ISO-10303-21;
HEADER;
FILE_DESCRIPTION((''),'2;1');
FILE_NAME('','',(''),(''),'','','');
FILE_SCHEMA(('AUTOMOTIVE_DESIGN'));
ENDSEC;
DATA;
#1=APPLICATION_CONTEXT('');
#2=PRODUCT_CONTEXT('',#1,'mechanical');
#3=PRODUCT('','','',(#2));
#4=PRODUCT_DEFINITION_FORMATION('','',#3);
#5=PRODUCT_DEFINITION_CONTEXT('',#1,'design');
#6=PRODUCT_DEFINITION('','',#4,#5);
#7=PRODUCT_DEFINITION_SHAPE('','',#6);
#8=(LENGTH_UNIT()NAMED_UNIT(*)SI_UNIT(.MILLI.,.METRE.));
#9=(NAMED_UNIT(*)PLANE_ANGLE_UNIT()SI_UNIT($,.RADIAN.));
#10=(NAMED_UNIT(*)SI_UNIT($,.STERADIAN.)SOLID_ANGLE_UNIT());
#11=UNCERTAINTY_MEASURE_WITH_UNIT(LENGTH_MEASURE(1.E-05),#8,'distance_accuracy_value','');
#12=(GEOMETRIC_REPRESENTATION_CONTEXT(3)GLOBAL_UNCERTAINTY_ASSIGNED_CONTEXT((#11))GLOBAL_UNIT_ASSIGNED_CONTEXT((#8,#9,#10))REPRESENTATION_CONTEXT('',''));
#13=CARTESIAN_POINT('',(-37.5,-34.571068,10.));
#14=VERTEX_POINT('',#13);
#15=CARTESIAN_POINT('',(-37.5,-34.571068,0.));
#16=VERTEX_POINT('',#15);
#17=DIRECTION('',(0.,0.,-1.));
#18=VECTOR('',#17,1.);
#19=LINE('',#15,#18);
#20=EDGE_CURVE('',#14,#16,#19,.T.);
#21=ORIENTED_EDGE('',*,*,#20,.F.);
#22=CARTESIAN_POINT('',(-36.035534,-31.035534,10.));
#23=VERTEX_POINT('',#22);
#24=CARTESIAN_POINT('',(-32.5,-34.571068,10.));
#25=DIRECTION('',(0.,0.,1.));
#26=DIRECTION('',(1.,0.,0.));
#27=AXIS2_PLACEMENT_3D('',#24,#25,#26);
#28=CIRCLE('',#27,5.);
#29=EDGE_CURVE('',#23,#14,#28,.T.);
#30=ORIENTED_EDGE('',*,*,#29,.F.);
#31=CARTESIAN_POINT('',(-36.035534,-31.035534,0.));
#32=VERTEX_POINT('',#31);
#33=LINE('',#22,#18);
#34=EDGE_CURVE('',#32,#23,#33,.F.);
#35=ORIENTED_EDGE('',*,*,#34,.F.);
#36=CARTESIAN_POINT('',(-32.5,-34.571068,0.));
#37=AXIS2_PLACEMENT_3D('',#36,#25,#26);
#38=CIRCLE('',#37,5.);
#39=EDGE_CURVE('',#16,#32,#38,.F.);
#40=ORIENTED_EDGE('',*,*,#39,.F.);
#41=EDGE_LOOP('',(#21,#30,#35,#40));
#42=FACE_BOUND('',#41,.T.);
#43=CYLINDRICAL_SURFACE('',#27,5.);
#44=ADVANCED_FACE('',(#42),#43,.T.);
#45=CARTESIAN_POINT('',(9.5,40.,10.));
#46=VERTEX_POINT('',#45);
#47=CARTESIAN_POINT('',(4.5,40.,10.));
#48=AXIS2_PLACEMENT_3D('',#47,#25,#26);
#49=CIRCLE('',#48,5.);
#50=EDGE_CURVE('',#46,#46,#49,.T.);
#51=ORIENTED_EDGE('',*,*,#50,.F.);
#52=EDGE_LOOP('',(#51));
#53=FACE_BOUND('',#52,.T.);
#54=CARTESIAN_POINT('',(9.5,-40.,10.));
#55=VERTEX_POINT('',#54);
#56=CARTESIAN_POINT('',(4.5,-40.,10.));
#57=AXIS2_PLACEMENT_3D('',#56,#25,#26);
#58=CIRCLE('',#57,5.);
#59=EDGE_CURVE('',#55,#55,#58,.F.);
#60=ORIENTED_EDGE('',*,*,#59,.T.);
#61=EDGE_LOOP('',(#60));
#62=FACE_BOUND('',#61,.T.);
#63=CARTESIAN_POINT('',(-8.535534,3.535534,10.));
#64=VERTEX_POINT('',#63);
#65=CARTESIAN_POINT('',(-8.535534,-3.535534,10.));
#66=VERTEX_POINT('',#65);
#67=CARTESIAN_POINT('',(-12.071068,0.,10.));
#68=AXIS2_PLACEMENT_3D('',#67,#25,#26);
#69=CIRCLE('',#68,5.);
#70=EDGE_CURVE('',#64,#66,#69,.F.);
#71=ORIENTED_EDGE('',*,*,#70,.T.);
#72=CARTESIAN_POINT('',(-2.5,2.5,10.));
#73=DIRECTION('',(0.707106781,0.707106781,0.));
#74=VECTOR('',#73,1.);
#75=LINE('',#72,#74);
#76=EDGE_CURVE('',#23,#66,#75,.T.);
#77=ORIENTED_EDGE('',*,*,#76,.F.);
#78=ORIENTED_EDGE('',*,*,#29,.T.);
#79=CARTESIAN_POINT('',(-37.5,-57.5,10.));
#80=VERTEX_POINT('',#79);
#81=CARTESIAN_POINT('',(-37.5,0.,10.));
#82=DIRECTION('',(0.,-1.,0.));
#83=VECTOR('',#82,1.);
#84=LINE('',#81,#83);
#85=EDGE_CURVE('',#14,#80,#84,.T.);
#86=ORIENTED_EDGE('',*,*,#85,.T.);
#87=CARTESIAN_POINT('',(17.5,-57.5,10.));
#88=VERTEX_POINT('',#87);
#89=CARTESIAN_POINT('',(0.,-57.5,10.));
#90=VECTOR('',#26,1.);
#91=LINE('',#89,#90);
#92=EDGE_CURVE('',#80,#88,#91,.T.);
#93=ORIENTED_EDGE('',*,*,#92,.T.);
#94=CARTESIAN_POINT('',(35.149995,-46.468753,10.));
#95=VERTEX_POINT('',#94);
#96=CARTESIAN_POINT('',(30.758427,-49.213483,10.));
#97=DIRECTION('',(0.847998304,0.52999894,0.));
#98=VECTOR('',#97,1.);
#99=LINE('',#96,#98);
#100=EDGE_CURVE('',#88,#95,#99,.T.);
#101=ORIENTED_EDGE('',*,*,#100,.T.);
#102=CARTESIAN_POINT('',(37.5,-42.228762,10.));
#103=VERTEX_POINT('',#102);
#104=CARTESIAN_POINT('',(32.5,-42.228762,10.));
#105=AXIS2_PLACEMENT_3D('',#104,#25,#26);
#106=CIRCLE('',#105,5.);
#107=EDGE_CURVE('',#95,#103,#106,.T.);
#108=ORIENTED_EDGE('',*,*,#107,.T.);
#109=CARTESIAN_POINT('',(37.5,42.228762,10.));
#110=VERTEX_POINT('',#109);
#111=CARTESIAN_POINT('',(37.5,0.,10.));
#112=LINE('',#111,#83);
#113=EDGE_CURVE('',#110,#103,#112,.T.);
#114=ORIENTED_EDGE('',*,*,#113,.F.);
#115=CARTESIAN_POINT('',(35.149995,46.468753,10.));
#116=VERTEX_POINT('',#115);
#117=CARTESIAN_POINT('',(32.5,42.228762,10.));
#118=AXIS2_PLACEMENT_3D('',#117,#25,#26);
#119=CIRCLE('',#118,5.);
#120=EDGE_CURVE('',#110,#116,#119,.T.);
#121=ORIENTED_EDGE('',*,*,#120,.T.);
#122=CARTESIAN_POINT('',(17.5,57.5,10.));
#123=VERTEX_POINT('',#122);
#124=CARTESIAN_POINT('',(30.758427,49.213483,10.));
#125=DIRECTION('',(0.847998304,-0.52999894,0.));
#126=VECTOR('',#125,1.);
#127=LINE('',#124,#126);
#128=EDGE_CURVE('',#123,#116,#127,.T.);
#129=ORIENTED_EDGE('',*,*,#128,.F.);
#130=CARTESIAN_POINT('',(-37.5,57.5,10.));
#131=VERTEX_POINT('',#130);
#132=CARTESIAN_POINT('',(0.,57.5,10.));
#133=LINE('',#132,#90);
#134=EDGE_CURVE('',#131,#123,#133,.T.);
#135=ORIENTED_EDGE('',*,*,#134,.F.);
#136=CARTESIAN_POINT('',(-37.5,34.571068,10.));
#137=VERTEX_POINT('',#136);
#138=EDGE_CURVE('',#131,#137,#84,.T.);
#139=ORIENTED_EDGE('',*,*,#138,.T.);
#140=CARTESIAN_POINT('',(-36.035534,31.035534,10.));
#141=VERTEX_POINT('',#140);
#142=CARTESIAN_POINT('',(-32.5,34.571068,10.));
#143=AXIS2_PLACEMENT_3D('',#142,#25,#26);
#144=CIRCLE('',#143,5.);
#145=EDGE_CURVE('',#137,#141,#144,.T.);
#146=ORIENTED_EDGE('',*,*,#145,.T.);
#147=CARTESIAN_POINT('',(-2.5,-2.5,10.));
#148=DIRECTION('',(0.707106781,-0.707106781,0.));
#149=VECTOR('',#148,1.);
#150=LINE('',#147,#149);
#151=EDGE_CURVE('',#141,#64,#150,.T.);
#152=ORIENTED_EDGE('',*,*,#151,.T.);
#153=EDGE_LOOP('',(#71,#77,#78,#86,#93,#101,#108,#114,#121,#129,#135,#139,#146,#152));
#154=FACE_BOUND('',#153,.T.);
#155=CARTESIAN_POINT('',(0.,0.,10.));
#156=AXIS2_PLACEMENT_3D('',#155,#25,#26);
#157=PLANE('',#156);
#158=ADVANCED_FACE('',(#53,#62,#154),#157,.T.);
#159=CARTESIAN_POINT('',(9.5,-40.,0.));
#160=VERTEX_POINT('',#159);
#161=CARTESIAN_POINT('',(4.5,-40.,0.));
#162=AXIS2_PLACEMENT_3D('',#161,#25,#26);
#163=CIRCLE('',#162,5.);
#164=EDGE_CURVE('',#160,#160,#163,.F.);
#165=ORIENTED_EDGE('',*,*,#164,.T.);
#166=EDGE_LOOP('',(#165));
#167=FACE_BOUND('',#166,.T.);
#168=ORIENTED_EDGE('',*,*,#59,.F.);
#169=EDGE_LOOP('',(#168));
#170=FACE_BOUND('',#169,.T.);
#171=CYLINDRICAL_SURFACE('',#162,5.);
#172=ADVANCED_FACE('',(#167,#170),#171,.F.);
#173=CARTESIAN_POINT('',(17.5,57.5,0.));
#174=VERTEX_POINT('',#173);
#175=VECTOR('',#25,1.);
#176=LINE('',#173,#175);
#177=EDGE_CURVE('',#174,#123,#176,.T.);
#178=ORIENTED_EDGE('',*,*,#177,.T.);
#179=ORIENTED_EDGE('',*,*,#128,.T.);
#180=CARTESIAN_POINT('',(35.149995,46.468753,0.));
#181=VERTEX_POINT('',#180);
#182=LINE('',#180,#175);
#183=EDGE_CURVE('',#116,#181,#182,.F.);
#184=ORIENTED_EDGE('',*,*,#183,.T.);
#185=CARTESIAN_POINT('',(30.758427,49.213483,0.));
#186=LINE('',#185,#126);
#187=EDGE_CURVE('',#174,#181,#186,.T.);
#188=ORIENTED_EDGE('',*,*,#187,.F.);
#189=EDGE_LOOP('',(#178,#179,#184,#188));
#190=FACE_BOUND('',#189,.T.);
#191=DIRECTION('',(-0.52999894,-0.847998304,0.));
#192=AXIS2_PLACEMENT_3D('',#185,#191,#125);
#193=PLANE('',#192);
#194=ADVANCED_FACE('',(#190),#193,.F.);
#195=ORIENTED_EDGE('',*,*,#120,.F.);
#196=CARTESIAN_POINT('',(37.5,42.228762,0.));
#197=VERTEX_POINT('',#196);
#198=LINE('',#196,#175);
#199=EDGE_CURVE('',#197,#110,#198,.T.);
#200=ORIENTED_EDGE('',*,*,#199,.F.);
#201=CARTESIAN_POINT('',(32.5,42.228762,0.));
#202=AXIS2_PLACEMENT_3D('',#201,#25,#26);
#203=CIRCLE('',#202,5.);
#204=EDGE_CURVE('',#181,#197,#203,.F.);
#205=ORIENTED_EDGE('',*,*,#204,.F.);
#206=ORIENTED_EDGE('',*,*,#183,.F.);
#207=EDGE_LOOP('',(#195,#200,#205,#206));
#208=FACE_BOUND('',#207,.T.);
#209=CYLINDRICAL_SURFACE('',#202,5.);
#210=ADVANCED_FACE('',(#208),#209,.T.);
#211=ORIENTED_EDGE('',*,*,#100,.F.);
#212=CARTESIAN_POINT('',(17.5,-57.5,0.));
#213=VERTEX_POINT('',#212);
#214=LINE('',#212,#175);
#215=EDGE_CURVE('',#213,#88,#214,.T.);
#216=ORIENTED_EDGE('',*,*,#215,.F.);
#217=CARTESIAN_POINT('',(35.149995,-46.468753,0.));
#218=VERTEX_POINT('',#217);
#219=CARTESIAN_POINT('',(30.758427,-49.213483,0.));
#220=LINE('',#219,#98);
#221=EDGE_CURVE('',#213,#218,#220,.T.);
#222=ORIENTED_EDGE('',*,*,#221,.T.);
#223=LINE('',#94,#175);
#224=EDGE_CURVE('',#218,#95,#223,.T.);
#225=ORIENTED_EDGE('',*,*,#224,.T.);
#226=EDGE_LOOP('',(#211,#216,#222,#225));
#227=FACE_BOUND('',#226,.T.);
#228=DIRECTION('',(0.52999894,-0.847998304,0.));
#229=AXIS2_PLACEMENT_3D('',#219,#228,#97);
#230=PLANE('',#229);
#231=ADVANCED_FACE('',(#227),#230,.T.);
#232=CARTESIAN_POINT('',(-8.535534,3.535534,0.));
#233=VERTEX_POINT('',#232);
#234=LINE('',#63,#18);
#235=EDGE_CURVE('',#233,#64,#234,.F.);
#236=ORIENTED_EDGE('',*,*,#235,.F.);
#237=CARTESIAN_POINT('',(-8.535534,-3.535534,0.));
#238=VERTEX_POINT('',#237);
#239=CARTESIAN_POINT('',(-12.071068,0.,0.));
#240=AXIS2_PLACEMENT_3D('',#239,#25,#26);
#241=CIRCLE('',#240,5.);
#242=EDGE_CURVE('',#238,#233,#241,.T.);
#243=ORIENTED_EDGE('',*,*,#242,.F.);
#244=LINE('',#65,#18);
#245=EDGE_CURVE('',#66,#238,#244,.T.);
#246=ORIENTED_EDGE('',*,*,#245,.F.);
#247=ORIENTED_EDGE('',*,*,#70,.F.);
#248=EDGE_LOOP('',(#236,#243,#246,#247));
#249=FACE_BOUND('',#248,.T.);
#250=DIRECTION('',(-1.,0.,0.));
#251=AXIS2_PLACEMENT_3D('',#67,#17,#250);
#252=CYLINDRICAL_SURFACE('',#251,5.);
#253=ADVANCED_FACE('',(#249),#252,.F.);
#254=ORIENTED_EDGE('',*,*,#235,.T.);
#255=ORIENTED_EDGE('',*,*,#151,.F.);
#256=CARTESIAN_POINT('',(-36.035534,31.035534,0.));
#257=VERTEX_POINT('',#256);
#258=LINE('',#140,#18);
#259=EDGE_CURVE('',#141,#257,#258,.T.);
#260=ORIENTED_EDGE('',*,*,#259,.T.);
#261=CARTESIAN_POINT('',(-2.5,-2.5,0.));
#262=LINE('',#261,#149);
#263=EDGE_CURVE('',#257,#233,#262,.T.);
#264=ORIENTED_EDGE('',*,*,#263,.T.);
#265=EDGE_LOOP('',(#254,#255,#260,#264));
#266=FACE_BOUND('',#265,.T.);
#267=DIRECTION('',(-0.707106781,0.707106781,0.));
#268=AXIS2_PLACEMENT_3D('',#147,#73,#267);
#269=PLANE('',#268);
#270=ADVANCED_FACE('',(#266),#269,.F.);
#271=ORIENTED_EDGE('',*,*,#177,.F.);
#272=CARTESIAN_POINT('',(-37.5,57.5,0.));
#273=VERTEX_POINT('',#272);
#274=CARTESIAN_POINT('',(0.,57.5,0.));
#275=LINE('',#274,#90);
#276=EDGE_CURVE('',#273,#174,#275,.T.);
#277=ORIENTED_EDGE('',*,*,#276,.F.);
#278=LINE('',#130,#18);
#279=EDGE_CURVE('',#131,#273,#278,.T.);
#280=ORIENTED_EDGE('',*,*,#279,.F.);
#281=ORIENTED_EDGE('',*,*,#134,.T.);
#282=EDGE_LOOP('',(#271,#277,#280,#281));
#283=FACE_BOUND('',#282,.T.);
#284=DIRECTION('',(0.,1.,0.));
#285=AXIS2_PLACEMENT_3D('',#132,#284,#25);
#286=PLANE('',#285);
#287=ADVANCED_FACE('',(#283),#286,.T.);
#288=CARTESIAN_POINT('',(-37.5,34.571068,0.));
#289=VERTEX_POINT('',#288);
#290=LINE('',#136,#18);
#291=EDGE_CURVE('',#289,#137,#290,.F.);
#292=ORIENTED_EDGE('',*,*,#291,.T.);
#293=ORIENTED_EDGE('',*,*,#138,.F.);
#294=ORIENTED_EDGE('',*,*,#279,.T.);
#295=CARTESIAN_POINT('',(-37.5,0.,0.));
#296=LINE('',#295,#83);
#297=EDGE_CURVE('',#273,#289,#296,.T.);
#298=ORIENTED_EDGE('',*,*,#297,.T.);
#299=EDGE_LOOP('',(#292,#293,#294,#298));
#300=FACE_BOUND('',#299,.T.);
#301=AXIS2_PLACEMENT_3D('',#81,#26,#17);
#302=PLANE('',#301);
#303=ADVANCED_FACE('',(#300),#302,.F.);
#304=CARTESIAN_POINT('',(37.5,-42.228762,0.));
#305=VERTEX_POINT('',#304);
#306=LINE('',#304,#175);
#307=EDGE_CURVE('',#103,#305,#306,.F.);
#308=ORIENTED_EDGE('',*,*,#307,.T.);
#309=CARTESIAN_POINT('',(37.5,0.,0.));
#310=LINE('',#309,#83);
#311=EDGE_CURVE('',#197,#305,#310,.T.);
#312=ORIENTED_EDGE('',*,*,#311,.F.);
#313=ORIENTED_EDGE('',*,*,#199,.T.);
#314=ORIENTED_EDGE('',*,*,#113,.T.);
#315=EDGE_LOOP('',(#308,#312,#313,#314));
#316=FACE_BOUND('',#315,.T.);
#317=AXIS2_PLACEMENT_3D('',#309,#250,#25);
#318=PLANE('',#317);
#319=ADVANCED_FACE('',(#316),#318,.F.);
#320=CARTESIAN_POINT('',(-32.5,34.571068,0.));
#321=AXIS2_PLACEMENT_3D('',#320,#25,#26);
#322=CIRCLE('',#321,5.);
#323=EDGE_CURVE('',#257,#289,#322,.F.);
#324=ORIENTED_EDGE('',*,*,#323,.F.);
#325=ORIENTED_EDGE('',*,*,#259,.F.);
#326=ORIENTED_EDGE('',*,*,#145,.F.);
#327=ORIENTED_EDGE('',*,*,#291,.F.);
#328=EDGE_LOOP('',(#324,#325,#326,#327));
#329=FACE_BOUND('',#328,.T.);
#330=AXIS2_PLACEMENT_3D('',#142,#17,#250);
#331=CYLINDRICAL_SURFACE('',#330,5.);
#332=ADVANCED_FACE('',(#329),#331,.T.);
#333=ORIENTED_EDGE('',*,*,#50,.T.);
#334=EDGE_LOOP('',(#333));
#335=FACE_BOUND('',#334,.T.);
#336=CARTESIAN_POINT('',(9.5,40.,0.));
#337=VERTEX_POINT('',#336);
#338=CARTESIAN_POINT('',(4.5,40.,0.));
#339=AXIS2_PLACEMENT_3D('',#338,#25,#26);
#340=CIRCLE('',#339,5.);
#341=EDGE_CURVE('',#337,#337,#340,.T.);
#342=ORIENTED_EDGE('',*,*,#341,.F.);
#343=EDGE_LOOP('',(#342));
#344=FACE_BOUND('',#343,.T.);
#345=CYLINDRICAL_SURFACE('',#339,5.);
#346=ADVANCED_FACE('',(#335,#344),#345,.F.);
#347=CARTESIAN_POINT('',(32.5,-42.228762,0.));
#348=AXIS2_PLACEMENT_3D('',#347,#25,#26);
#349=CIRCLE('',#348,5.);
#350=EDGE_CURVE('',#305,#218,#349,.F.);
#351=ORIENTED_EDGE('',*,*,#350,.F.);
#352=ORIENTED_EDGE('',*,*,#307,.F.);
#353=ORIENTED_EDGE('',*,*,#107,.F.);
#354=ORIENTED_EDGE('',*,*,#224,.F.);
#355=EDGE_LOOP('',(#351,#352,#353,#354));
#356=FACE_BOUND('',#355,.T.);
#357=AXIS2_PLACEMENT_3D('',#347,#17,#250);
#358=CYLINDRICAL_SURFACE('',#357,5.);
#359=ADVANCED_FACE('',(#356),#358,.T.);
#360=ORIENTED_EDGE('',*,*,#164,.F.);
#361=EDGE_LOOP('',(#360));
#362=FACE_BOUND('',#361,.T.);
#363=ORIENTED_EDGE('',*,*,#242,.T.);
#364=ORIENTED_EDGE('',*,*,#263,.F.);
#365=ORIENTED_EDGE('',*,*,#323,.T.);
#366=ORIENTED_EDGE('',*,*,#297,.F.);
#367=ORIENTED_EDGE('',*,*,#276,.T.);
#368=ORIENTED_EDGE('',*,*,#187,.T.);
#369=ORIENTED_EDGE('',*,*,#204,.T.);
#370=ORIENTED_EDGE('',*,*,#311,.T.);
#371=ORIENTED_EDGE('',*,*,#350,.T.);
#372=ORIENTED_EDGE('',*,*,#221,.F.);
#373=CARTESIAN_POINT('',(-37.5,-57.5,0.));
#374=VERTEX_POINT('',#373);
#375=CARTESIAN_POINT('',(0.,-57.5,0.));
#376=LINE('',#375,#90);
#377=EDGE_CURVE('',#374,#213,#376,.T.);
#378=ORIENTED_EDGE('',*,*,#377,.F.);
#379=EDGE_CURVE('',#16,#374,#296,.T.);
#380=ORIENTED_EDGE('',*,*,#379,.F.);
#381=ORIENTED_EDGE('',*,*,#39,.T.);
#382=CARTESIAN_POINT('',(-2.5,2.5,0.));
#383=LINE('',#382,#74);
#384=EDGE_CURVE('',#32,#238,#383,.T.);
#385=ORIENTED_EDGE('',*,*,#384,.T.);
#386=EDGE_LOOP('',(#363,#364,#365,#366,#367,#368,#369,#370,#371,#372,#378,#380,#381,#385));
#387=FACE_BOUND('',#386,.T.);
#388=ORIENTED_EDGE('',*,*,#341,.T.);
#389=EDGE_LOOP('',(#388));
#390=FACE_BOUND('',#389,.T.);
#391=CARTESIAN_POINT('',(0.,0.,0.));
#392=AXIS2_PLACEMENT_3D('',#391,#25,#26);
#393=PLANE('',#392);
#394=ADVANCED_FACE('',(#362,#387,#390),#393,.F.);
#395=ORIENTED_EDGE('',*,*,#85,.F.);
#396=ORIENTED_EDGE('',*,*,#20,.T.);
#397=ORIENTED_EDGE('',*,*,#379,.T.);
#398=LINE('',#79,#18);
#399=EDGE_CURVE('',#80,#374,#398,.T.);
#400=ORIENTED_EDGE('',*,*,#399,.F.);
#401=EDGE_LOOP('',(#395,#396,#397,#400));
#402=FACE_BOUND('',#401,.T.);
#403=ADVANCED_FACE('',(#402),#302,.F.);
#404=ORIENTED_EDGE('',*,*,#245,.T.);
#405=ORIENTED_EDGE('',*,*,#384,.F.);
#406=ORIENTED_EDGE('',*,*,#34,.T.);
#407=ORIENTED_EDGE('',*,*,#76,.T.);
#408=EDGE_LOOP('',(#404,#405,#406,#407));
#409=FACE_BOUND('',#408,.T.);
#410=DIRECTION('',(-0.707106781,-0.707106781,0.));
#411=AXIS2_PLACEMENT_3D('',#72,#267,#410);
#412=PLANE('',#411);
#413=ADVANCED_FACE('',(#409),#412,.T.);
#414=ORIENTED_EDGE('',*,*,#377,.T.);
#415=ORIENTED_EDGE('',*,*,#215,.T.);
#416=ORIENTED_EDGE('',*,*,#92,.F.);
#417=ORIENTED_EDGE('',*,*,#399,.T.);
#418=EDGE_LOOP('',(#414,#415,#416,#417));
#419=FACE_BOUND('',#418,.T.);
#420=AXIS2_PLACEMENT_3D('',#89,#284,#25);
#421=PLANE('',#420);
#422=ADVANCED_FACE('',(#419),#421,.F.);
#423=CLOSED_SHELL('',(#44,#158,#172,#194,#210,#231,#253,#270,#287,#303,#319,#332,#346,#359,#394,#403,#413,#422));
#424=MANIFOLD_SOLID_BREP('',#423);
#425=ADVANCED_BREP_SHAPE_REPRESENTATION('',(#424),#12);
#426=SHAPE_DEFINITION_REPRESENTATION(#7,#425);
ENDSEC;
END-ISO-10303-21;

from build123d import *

# Parameters (mm, degrees)
EXTRUDE_1_DEPTH     = 10
FILLET_1_R          = 5
SKETCH_2_W          = 14.503098638
SKETCH_2_H          = 45
EXTRUDE_4_DEPTH     = 10
FILLET_3_R          = 5
SKETCH_3_R          = 5
CUT_EXTRUDE_2_DEPTH = 82.929848041
FILLET_4_R          = 5
SKETCH_4_R          = 5
CUT_EXTRUDE_5_DEPTH = 70.372184628
EXTRUDE_7_DEPTH     = 10


with BuildPart() as part:
    # 草图1 → 凸台-拉伸1 (new body)
    with BuildSketch(Plane.XY):
        Polygon((37.5, 57.5), (-37.5, 57.5), (-37.5, 32.5), (-5, 0), (-37.5, -32.5), (-37.5, -57.5), (37.5, -57.5), align=None)
    extrude(amount=EXTRUDE_1_DEPTH)

    # 圆角1
    fillet_1_edges = [part.edges().sort_by_distance(p)[0] for p in [
        (-5, 0, 5),
        (-37.5, 32.5, 5),
        (-37.5, -32.5, 5),
    ]]
    fillet(fillet_1_edges, radius=FILLET_1_R)

    # 草图2 → 凸台-拉伸4 (add)
    with BuildSketch(Plane.XY.offset(10)):
        Polygon((37.5, 57.5), (37.5, 0), (42.996901362, 0), (42.996901362, 45), (57.5, 45), align=None)
        with Locations((50.248450681, 22.5)):
            Rectangle(SKETCH_2_W, SKETCH_2_H)
        with Locations((50.248450681, -22.5)):
            Rectangle(SKETCH_2_W, SKETCH_2_H)
        Polygon((37.5, 0), (37.5, -57.5), (57.5, -45), (42.996901362, -45), (42.996901362, 0), align=None)
    extrude(amount=-EXTRUDE_4_DEPTH)

    # 圆角3
    fillet_3_edges = [part.edges().sort_by_distance(p)[0] for p in [
        (57.5, -45, 5),
        (57.5, 45, 5),
    ]]
    fillet(fillet_3_edges, radius=FILLET_3_R)

    # 草图3 → 切除-拉伸2 (cut, through all)
    with BuildSketch(Plane.XY.offset(10)):
        Polygon((17.5, 57.5), (37.5, 45), (37.5, 57.5), align=None)
        with BuildLine():
            Line((37.5, 57.5), (37.5, -57.5))
            Line((37.5, -57.5), (55.1499947, -46.468753312))
            ThreePointArc((55.1499947, -46.468753312), (56.873212406, -44.652604454), (57.5, -42.228761792))
            Line((57.5, -42.228761792), (57.5, 42.228761792))
            ThreePointArc((57.5, 42.228761792), (56.873212406, 44.652604454), (55.1499947, 46.468753312))
            Line((55.1499947, 46.468753312), (37.5, 57.5))
        make_face()
        Polygon((37.5, -45), (17.5, -57.5), (37.5, -57.5), align=None)
        with Locations((4.5, -32.5)):
            Circle(SKETCH_3_R)
        with Locations((4.5, 32.5)):
            Circle(SKETCH_3_R)
    extrude(amount=-CUT_EXTRUDE_2_DEPTH, mode=Mode.SUBTRACT)

    # 圆角4
    fillet_4_edges = [part.edges().sort_by_distance(p)[0] for p in [
        (37.5, -45, 5),
        (37.5, 45, 5),
    ]]
    fillet(fillet_4_edges, radius=FILLET_4_R)

    # 草图4 → 切除-拉伸5 (cut, through all)
    with BuildSketch(Plane.XY.offset(10)):
        with Locations((4.5, 40)):
            Circle(SKETCH_4_R)
        with Locations((4.5, 32.5)):
            Circle(SKETCH_4_R)
        with Locations((4.5, -40)):
            Circle(SKETCH_4_R)
        with Locations((4.5, -32.5)):
            Circle(SKETCH_4_R)
    extrude(amount=-CUT_EXTRUDE_5_DEPTH, mode=Mode.SUBTRACT)

    # 草图7 → 凸台-拉伸7 (add)
    with BuildSketch(Plane.XY.offset(10)):
        with BuildLine():
            ThreePointArc((1.192810861, 36.25), (2.442810861, 27.942810861), (9.5, 32.5))
            ThreePointArc((9.5, 32.5), (9.057189139, 34.557189139), (7.807189139, 36.25))
            ThreePointArc((7.807189139, 36.25), (4.5, 35), (1.192810861, 36.25))
        make_face()
        with BuildLine():
            ThreePointArc((7.807189139, -36.25), (9.057189139, -34.557189139), (9.5, -32.5))
            ThreePointArc((9.5, -32.5), (2.442810861, -27.942810861), (1.192810861, -36.25))
            ThreePointArc((1.192810861, -36.25), (4.5, -35), (7.807189139, -36.25))
        make_face()
    extrude(amount=-EXTRUDE_7_DEPTH)


solid = part.part
